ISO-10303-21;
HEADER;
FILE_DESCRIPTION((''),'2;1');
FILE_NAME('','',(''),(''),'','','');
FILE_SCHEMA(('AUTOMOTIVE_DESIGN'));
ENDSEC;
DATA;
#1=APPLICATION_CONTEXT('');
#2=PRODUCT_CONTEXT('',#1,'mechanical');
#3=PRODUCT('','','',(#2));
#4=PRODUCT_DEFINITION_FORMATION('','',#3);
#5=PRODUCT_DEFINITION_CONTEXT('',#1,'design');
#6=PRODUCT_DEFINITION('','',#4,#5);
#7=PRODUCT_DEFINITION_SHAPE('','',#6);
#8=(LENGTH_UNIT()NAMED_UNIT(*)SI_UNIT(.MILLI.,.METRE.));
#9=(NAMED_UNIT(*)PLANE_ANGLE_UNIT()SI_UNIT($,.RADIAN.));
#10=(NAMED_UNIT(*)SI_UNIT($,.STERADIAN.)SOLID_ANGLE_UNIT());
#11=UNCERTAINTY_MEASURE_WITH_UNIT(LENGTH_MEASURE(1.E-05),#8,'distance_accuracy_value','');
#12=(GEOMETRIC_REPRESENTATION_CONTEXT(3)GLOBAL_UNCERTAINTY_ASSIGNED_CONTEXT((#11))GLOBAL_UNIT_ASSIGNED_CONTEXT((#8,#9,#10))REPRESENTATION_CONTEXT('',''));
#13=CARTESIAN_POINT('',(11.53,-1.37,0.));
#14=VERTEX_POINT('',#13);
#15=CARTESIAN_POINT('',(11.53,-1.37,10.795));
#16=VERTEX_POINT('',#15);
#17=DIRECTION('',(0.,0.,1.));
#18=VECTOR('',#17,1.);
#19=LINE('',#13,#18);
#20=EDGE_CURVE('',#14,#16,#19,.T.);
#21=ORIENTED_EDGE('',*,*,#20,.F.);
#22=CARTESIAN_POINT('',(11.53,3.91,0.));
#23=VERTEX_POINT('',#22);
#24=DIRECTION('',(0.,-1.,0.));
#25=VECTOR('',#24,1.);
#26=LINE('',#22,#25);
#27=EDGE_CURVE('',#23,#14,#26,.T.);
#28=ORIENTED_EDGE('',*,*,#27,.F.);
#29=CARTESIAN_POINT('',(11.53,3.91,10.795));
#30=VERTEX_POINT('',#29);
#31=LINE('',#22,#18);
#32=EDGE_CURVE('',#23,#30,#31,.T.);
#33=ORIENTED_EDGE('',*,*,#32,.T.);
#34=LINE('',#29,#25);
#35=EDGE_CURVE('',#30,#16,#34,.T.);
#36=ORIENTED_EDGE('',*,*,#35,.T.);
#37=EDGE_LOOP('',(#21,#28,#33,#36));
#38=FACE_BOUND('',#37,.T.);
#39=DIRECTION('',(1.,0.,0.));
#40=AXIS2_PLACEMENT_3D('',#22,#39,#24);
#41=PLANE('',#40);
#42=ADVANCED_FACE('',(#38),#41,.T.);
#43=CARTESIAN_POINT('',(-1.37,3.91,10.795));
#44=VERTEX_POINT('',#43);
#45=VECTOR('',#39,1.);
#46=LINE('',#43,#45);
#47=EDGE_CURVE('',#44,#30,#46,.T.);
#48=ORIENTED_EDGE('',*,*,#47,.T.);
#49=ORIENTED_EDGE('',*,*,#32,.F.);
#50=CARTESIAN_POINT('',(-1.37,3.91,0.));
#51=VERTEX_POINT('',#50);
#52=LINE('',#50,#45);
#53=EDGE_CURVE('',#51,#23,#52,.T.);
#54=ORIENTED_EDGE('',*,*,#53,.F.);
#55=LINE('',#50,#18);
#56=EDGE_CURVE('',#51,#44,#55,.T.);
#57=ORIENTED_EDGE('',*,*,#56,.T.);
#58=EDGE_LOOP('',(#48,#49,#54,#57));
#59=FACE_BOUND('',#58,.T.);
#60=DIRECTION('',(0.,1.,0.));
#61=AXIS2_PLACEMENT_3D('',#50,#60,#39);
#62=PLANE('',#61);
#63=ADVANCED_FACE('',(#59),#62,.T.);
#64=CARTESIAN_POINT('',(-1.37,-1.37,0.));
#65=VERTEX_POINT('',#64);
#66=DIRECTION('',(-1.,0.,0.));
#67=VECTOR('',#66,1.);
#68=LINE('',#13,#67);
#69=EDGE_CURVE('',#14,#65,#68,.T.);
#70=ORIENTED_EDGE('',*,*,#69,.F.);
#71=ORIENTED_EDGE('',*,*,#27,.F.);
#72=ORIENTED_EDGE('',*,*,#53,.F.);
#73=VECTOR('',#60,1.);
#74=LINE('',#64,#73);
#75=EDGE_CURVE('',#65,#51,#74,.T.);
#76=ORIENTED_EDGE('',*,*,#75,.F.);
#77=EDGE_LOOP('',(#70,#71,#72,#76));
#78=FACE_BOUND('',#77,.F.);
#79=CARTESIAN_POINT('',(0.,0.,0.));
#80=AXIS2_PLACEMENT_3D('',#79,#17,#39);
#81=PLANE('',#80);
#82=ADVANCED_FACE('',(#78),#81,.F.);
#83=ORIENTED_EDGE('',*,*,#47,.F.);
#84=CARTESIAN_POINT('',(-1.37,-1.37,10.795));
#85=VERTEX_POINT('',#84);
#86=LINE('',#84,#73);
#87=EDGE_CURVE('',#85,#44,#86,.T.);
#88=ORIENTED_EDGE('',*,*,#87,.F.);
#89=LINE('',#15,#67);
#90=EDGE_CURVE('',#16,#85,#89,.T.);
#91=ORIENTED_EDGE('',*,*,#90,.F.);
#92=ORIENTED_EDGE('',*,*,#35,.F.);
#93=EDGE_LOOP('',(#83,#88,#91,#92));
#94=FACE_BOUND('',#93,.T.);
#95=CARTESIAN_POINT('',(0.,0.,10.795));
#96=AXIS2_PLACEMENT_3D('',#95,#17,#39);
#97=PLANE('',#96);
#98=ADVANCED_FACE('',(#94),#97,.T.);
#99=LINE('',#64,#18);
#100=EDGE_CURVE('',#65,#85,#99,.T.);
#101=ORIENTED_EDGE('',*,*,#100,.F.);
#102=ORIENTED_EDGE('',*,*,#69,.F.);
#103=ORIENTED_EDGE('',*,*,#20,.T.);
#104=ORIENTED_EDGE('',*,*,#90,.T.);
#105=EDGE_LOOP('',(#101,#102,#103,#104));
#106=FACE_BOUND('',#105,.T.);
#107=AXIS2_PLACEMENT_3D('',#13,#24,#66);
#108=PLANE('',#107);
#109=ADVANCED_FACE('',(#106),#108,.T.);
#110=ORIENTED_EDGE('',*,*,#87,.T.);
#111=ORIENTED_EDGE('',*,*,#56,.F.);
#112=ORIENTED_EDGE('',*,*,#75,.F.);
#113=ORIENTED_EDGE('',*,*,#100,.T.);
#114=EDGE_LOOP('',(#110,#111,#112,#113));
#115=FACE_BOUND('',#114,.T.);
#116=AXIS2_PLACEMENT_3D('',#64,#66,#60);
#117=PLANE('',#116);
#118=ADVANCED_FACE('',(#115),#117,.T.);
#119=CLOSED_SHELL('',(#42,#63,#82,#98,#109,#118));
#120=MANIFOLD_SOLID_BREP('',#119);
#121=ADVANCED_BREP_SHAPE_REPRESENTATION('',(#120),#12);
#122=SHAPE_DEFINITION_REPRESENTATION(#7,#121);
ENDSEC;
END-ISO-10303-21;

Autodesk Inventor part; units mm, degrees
ref_plane "YZ Plane" through (0, 0, 0) normal (1, 0, 0) x (0, 1, 0)
ref_plane "XZ Plane" through (0, 0, 0) normal (0, 1, 0) x (-1, 0, 0)
ref_plane "XY Plane" through (0, 0, 0) normal (0, 0, 1) x (1, 0, 0)
sketch "2X5 IDCW, 5x2 IDCw_11" plane through (0, 0, 0) normal (0, 0, 1) x (1, 0, 0)
  line L0 (11.53, 3.91) -> (11.53, -1.37)
  line L1 (11.53, -1.37) -> (-1.37, -1.37)
  line L2 (-1.37, -1.37) -> (-1.37, 3.91)
  line L3 (-1.37, 3.91) -> (11.53, 3.91)
extrude "Extrusion1" add sketch "2X5 IDCW, 5x2 IDCw_11" along normal blind 10.795
properties part number "5x2 IDCw"
